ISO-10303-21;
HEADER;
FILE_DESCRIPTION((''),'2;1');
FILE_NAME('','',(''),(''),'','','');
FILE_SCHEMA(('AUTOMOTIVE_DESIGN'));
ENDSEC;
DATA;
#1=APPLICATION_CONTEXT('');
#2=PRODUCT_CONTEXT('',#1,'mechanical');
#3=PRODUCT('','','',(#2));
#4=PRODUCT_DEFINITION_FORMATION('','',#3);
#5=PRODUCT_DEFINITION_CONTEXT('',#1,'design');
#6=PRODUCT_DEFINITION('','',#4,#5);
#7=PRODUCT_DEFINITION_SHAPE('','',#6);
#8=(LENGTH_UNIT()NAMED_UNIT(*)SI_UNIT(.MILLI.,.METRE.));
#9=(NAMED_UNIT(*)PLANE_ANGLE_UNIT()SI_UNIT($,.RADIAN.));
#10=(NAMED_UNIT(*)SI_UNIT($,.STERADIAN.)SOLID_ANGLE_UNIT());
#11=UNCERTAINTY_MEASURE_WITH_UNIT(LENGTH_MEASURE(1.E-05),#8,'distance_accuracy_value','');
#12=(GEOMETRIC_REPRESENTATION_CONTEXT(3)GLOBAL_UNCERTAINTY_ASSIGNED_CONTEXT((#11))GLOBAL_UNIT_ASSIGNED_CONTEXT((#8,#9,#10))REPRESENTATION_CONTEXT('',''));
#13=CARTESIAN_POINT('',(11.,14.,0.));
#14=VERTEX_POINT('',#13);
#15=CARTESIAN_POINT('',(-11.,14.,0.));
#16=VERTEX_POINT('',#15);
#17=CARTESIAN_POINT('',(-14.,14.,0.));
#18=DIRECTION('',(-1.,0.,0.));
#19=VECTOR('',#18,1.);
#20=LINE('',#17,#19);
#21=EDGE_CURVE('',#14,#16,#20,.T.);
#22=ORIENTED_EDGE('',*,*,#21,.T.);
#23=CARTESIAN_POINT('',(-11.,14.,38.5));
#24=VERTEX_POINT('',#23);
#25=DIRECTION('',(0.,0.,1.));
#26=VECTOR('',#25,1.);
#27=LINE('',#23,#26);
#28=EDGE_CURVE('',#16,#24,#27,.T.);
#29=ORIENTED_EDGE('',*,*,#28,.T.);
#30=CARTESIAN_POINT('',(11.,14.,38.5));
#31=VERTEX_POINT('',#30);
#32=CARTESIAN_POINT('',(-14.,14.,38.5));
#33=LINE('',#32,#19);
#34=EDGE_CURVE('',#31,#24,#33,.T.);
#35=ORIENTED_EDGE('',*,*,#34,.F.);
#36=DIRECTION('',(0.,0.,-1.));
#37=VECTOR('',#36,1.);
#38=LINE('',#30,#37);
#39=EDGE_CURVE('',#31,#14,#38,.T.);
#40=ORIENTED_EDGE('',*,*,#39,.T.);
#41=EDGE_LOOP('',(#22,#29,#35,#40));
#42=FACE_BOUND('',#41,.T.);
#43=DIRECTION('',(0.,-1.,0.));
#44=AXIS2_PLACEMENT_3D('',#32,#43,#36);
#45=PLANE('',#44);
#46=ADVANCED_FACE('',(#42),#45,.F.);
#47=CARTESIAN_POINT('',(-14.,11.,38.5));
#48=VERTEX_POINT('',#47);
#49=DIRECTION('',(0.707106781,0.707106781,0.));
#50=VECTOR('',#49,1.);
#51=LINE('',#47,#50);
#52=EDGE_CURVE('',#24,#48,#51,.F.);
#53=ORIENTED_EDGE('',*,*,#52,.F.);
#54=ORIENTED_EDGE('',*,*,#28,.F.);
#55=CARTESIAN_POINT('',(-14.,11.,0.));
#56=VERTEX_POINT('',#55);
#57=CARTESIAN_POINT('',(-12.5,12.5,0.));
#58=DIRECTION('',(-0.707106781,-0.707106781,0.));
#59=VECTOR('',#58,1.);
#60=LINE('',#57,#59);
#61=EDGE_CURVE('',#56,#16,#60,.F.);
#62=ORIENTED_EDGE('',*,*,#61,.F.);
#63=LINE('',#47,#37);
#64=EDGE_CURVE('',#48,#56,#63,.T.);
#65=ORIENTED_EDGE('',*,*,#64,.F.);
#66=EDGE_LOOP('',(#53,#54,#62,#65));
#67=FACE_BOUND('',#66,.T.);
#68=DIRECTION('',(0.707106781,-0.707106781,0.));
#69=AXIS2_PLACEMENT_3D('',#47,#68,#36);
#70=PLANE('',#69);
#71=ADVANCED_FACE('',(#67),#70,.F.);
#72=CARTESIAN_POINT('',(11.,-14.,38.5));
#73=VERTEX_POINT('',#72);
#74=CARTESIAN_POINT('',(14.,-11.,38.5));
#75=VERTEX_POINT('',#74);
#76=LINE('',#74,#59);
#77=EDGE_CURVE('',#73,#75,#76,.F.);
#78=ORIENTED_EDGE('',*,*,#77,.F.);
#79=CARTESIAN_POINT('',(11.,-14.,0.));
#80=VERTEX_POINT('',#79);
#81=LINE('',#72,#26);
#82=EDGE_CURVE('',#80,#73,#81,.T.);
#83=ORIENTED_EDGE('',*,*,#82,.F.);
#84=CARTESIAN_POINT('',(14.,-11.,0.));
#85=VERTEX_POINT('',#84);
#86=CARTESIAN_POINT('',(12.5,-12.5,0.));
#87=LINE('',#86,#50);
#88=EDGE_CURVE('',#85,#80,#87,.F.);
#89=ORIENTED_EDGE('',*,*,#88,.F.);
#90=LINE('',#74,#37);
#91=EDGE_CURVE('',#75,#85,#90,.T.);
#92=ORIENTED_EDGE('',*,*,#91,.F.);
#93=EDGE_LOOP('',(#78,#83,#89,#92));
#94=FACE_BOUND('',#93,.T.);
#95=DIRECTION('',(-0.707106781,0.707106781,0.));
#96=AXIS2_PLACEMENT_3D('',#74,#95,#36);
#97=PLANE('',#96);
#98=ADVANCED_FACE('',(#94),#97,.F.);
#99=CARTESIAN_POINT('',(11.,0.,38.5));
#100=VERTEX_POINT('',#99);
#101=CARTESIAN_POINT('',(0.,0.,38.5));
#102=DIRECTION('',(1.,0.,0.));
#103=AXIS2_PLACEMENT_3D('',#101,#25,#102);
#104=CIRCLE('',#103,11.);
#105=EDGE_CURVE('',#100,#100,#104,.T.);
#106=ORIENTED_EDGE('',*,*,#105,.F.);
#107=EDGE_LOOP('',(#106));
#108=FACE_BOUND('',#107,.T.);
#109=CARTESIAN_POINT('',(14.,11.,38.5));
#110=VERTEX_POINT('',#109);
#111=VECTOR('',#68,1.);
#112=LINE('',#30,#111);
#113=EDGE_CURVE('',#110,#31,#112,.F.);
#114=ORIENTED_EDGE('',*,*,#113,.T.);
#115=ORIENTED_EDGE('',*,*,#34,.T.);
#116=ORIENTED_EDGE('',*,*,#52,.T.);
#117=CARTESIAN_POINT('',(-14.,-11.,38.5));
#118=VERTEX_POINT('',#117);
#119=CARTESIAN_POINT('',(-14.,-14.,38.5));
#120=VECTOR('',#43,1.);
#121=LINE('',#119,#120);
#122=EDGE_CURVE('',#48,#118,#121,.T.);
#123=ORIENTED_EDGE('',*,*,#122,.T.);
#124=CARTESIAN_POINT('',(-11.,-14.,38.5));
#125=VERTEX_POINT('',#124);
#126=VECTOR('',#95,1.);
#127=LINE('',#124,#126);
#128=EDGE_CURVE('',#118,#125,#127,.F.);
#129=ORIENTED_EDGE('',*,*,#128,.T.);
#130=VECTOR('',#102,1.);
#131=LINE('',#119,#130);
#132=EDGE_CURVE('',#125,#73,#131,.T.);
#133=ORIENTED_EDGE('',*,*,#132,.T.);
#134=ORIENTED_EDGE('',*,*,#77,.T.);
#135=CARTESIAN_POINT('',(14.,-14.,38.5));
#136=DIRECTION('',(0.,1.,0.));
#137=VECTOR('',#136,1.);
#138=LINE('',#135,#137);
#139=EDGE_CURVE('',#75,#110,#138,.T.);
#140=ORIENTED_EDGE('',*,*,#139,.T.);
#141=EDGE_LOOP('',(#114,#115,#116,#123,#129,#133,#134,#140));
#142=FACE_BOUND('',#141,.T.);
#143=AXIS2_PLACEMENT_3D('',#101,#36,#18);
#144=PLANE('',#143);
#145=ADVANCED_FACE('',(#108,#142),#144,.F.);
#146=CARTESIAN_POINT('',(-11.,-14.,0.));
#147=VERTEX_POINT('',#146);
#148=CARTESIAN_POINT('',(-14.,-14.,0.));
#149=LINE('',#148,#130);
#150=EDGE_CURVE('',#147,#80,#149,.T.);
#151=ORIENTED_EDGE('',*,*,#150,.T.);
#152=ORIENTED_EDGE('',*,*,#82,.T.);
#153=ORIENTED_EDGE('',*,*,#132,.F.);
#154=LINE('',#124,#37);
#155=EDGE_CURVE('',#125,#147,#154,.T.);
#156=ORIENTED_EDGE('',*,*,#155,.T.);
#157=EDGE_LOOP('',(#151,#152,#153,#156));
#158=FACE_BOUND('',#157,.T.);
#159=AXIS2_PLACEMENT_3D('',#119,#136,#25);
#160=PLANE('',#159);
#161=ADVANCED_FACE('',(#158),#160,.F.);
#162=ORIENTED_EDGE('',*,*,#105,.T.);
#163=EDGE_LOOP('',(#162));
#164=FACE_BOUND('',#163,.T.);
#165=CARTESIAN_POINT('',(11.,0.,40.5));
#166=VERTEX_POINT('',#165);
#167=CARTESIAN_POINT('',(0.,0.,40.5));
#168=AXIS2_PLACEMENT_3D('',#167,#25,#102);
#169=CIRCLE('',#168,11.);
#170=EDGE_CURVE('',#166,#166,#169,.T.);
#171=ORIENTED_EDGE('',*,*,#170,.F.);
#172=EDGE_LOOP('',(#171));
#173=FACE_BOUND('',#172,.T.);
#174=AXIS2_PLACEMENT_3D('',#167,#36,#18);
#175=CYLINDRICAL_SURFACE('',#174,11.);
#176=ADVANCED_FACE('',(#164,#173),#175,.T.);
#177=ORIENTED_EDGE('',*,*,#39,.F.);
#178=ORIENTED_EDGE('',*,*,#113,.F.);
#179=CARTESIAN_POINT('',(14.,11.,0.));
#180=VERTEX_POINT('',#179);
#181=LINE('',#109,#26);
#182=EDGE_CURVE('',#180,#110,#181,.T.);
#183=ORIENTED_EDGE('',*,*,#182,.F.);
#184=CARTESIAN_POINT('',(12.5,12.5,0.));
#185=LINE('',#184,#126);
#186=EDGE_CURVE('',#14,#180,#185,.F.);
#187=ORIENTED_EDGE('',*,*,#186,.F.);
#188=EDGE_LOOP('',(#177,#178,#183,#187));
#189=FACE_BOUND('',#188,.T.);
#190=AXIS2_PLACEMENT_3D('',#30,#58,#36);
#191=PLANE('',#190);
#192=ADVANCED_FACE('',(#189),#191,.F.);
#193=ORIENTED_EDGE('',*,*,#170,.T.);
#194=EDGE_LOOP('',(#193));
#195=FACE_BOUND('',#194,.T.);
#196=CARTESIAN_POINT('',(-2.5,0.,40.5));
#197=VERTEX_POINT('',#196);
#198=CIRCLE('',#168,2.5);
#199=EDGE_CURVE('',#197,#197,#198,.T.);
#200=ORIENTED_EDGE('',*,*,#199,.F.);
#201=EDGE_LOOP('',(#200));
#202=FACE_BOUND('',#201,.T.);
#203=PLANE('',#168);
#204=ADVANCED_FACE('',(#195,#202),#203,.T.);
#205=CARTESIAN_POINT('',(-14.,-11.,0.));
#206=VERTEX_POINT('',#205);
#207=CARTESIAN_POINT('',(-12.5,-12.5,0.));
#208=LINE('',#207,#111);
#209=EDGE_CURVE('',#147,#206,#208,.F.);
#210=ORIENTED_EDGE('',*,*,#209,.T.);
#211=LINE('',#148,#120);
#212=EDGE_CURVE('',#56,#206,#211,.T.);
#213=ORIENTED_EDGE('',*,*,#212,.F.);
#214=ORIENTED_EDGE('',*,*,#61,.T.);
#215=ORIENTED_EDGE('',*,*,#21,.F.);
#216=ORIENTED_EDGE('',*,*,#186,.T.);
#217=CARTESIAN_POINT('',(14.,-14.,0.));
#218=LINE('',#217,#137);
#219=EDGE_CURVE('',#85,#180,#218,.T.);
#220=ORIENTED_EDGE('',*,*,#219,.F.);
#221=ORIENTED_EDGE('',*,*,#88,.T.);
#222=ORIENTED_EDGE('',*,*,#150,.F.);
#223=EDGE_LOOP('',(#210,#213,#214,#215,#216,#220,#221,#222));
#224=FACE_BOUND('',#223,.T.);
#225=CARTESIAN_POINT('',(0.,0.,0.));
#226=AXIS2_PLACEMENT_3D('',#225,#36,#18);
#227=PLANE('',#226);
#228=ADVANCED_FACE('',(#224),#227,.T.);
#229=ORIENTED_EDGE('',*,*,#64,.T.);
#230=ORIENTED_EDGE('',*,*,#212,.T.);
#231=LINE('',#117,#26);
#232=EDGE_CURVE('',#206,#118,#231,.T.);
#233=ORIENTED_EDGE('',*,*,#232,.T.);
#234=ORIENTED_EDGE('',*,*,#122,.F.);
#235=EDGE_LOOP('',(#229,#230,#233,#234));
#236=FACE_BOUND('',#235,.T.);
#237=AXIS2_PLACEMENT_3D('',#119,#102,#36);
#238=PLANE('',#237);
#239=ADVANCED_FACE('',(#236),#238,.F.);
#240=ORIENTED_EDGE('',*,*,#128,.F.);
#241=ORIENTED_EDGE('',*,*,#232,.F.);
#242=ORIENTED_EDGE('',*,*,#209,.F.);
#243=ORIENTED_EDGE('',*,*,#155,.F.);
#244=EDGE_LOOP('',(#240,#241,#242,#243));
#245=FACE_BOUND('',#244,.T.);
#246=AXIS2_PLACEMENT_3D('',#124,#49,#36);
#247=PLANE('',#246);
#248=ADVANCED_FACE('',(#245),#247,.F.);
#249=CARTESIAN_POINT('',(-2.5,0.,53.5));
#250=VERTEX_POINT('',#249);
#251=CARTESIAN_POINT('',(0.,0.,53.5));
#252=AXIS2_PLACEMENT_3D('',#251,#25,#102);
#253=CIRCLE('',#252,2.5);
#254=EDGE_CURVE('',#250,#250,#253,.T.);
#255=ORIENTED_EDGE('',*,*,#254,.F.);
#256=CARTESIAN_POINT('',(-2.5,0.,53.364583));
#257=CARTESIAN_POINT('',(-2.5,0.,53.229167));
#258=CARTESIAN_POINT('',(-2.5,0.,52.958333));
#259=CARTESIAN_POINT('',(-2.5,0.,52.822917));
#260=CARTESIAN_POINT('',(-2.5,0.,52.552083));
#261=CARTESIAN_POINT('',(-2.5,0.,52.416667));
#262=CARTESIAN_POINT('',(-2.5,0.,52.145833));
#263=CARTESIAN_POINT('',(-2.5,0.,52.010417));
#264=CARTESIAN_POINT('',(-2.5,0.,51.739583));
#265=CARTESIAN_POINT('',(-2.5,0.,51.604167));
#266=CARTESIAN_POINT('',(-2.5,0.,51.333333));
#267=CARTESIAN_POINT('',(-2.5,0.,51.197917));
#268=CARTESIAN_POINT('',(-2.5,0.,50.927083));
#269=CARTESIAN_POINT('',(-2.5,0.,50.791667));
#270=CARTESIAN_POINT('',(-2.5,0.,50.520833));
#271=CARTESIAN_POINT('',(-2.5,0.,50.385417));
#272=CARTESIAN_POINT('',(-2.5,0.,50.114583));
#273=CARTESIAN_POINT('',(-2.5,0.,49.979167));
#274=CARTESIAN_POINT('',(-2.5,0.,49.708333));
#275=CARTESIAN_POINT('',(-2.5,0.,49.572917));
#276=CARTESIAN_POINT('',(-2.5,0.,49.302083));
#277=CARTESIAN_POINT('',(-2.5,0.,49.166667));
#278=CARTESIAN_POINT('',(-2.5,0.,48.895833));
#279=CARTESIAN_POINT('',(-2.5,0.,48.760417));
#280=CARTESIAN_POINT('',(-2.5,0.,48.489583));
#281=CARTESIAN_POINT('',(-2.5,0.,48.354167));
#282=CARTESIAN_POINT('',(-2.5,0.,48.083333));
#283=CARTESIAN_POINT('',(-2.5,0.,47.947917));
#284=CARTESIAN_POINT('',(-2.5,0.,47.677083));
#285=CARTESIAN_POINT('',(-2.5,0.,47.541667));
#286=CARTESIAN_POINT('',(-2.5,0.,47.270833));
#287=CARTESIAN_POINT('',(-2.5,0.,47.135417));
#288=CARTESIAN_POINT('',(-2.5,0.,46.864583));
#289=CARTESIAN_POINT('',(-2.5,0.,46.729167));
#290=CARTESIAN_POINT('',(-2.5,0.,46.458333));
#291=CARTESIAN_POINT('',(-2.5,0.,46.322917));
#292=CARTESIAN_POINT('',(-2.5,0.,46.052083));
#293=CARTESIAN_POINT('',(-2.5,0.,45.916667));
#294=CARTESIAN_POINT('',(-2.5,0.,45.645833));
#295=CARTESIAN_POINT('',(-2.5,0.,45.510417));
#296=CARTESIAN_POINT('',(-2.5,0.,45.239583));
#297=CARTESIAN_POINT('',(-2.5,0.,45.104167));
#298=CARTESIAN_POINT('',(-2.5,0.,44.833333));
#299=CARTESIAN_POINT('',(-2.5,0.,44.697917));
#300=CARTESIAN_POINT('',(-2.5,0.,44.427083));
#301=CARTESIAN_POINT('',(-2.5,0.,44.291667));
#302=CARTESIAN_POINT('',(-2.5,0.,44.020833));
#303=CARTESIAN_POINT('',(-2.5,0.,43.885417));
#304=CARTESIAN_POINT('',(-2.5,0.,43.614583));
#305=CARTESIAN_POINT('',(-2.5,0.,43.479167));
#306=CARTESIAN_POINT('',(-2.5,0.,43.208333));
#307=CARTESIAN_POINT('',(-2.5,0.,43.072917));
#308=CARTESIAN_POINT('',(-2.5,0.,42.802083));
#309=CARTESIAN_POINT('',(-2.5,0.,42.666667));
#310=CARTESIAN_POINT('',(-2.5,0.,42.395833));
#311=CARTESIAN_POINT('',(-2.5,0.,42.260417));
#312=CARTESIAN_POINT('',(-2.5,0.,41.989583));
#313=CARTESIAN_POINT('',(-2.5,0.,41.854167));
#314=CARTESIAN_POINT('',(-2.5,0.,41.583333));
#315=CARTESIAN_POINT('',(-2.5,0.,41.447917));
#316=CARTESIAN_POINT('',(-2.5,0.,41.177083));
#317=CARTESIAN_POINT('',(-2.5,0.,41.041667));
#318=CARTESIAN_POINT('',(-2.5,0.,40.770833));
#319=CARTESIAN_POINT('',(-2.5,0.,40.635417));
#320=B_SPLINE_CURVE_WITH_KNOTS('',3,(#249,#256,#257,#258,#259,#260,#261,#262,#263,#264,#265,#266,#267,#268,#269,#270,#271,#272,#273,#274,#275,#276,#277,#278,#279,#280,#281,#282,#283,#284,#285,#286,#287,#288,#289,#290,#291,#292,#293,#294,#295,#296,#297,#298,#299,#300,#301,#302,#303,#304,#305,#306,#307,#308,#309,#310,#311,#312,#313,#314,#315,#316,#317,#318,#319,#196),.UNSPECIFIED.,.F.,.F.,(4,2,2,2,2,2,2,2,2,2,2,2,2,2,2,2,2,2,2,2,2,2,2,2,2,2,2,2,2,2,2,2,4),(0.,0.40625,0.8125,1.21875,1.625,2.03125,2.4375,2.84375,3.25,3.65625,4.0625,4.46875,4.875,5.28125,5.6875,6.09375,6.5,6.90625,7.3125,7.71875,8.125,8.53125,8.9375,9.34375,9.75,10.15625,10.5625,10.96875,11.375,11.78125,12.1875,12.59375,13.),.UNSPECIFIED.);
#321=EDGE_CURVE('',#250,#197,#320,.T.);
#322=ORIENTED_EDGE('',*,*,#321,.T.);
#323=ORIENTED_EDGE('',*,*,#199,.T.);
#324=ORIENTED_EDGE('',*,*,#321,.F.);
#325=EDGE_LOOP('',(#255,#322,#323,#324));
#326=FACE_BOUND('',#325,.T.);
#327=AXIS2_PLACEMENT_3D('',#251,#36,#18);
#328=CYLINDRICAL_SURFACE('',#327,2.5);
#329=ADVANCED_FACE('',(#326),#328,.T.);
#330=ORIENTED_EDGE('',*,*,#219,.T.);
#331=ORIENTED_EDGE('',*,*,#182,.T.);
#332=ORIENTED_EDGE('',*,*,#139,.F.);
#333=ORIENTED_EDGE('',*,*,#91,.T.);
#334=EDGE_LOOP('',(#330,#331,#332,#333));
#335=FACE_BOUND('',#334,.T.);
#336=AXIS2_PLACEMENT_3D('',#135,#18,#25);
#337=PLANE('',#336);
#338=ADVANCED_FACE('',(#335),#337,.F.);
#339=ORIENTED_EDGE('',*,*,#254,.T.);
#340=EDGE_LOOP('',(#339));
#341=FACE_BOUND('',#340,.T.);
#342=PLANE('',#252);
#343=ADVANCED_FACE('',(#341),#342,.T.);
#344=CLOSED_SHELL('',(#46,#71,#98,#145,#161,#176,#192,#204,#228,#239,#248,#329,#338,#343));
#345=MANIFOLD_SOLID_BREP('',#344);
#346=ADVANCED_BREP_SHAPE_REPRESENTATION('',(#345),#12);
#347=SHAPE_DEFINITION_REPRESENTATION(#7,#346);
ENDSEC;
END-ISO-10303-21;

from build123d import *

# Parameters (mm, degrees)
SKETCH_1_W      = 28
SKETCH_1_H      = 28
EXTRUDE_1_DEPTH = 38.5
SKETCH_2_R      = 11
EXTRUDE_2_DEPTH = 2
SKETCH_3_R      = 2.5
EXTRUDE_3_DEPTH = 13
CHAMFER_1_SIZE  = 3


with BuildPart() as part:
    # 草图1 → 凸台-拉伸1 (new body)
    with BuildSketch(Plane.XY):
        Rectangle(SKETCH_1_W, SKETCH_1_H)
    extrude(amount=EXTRUDE_1_DEPTH)

    # 草图2 → 凸台-拉伸2 (add)
    with BuildSketch(Plane.XY.offset(38.5)):
        Circle(SKETCH_2_R)
    extrude(amount=EXTRUDE_2_DEPTH)

    # 草图3 → 凸台-拉伸3 (add)
    with BuildSketch(Plane.XY.offset(40.5)):
        with Locations(Location((0, 0, 0), (0, 0, 180))):
            Circle(SKETCH_3_R)
    extrude(amount=EXTRUDE_3_DEPTH)

    # 倒角1
    chamfer_1_edges = [part.edges().sort_by_distance(p)[0] for p in [
        (14, -14, 19.25),
        (-14, -14, 19.25),
        (-14, 14, 19.25),
        (14, 14, 19.25),
    ]]
    chamfer(chamfer_1_edges, length=CHAMFER_1_SIZE)


solid = part.part
